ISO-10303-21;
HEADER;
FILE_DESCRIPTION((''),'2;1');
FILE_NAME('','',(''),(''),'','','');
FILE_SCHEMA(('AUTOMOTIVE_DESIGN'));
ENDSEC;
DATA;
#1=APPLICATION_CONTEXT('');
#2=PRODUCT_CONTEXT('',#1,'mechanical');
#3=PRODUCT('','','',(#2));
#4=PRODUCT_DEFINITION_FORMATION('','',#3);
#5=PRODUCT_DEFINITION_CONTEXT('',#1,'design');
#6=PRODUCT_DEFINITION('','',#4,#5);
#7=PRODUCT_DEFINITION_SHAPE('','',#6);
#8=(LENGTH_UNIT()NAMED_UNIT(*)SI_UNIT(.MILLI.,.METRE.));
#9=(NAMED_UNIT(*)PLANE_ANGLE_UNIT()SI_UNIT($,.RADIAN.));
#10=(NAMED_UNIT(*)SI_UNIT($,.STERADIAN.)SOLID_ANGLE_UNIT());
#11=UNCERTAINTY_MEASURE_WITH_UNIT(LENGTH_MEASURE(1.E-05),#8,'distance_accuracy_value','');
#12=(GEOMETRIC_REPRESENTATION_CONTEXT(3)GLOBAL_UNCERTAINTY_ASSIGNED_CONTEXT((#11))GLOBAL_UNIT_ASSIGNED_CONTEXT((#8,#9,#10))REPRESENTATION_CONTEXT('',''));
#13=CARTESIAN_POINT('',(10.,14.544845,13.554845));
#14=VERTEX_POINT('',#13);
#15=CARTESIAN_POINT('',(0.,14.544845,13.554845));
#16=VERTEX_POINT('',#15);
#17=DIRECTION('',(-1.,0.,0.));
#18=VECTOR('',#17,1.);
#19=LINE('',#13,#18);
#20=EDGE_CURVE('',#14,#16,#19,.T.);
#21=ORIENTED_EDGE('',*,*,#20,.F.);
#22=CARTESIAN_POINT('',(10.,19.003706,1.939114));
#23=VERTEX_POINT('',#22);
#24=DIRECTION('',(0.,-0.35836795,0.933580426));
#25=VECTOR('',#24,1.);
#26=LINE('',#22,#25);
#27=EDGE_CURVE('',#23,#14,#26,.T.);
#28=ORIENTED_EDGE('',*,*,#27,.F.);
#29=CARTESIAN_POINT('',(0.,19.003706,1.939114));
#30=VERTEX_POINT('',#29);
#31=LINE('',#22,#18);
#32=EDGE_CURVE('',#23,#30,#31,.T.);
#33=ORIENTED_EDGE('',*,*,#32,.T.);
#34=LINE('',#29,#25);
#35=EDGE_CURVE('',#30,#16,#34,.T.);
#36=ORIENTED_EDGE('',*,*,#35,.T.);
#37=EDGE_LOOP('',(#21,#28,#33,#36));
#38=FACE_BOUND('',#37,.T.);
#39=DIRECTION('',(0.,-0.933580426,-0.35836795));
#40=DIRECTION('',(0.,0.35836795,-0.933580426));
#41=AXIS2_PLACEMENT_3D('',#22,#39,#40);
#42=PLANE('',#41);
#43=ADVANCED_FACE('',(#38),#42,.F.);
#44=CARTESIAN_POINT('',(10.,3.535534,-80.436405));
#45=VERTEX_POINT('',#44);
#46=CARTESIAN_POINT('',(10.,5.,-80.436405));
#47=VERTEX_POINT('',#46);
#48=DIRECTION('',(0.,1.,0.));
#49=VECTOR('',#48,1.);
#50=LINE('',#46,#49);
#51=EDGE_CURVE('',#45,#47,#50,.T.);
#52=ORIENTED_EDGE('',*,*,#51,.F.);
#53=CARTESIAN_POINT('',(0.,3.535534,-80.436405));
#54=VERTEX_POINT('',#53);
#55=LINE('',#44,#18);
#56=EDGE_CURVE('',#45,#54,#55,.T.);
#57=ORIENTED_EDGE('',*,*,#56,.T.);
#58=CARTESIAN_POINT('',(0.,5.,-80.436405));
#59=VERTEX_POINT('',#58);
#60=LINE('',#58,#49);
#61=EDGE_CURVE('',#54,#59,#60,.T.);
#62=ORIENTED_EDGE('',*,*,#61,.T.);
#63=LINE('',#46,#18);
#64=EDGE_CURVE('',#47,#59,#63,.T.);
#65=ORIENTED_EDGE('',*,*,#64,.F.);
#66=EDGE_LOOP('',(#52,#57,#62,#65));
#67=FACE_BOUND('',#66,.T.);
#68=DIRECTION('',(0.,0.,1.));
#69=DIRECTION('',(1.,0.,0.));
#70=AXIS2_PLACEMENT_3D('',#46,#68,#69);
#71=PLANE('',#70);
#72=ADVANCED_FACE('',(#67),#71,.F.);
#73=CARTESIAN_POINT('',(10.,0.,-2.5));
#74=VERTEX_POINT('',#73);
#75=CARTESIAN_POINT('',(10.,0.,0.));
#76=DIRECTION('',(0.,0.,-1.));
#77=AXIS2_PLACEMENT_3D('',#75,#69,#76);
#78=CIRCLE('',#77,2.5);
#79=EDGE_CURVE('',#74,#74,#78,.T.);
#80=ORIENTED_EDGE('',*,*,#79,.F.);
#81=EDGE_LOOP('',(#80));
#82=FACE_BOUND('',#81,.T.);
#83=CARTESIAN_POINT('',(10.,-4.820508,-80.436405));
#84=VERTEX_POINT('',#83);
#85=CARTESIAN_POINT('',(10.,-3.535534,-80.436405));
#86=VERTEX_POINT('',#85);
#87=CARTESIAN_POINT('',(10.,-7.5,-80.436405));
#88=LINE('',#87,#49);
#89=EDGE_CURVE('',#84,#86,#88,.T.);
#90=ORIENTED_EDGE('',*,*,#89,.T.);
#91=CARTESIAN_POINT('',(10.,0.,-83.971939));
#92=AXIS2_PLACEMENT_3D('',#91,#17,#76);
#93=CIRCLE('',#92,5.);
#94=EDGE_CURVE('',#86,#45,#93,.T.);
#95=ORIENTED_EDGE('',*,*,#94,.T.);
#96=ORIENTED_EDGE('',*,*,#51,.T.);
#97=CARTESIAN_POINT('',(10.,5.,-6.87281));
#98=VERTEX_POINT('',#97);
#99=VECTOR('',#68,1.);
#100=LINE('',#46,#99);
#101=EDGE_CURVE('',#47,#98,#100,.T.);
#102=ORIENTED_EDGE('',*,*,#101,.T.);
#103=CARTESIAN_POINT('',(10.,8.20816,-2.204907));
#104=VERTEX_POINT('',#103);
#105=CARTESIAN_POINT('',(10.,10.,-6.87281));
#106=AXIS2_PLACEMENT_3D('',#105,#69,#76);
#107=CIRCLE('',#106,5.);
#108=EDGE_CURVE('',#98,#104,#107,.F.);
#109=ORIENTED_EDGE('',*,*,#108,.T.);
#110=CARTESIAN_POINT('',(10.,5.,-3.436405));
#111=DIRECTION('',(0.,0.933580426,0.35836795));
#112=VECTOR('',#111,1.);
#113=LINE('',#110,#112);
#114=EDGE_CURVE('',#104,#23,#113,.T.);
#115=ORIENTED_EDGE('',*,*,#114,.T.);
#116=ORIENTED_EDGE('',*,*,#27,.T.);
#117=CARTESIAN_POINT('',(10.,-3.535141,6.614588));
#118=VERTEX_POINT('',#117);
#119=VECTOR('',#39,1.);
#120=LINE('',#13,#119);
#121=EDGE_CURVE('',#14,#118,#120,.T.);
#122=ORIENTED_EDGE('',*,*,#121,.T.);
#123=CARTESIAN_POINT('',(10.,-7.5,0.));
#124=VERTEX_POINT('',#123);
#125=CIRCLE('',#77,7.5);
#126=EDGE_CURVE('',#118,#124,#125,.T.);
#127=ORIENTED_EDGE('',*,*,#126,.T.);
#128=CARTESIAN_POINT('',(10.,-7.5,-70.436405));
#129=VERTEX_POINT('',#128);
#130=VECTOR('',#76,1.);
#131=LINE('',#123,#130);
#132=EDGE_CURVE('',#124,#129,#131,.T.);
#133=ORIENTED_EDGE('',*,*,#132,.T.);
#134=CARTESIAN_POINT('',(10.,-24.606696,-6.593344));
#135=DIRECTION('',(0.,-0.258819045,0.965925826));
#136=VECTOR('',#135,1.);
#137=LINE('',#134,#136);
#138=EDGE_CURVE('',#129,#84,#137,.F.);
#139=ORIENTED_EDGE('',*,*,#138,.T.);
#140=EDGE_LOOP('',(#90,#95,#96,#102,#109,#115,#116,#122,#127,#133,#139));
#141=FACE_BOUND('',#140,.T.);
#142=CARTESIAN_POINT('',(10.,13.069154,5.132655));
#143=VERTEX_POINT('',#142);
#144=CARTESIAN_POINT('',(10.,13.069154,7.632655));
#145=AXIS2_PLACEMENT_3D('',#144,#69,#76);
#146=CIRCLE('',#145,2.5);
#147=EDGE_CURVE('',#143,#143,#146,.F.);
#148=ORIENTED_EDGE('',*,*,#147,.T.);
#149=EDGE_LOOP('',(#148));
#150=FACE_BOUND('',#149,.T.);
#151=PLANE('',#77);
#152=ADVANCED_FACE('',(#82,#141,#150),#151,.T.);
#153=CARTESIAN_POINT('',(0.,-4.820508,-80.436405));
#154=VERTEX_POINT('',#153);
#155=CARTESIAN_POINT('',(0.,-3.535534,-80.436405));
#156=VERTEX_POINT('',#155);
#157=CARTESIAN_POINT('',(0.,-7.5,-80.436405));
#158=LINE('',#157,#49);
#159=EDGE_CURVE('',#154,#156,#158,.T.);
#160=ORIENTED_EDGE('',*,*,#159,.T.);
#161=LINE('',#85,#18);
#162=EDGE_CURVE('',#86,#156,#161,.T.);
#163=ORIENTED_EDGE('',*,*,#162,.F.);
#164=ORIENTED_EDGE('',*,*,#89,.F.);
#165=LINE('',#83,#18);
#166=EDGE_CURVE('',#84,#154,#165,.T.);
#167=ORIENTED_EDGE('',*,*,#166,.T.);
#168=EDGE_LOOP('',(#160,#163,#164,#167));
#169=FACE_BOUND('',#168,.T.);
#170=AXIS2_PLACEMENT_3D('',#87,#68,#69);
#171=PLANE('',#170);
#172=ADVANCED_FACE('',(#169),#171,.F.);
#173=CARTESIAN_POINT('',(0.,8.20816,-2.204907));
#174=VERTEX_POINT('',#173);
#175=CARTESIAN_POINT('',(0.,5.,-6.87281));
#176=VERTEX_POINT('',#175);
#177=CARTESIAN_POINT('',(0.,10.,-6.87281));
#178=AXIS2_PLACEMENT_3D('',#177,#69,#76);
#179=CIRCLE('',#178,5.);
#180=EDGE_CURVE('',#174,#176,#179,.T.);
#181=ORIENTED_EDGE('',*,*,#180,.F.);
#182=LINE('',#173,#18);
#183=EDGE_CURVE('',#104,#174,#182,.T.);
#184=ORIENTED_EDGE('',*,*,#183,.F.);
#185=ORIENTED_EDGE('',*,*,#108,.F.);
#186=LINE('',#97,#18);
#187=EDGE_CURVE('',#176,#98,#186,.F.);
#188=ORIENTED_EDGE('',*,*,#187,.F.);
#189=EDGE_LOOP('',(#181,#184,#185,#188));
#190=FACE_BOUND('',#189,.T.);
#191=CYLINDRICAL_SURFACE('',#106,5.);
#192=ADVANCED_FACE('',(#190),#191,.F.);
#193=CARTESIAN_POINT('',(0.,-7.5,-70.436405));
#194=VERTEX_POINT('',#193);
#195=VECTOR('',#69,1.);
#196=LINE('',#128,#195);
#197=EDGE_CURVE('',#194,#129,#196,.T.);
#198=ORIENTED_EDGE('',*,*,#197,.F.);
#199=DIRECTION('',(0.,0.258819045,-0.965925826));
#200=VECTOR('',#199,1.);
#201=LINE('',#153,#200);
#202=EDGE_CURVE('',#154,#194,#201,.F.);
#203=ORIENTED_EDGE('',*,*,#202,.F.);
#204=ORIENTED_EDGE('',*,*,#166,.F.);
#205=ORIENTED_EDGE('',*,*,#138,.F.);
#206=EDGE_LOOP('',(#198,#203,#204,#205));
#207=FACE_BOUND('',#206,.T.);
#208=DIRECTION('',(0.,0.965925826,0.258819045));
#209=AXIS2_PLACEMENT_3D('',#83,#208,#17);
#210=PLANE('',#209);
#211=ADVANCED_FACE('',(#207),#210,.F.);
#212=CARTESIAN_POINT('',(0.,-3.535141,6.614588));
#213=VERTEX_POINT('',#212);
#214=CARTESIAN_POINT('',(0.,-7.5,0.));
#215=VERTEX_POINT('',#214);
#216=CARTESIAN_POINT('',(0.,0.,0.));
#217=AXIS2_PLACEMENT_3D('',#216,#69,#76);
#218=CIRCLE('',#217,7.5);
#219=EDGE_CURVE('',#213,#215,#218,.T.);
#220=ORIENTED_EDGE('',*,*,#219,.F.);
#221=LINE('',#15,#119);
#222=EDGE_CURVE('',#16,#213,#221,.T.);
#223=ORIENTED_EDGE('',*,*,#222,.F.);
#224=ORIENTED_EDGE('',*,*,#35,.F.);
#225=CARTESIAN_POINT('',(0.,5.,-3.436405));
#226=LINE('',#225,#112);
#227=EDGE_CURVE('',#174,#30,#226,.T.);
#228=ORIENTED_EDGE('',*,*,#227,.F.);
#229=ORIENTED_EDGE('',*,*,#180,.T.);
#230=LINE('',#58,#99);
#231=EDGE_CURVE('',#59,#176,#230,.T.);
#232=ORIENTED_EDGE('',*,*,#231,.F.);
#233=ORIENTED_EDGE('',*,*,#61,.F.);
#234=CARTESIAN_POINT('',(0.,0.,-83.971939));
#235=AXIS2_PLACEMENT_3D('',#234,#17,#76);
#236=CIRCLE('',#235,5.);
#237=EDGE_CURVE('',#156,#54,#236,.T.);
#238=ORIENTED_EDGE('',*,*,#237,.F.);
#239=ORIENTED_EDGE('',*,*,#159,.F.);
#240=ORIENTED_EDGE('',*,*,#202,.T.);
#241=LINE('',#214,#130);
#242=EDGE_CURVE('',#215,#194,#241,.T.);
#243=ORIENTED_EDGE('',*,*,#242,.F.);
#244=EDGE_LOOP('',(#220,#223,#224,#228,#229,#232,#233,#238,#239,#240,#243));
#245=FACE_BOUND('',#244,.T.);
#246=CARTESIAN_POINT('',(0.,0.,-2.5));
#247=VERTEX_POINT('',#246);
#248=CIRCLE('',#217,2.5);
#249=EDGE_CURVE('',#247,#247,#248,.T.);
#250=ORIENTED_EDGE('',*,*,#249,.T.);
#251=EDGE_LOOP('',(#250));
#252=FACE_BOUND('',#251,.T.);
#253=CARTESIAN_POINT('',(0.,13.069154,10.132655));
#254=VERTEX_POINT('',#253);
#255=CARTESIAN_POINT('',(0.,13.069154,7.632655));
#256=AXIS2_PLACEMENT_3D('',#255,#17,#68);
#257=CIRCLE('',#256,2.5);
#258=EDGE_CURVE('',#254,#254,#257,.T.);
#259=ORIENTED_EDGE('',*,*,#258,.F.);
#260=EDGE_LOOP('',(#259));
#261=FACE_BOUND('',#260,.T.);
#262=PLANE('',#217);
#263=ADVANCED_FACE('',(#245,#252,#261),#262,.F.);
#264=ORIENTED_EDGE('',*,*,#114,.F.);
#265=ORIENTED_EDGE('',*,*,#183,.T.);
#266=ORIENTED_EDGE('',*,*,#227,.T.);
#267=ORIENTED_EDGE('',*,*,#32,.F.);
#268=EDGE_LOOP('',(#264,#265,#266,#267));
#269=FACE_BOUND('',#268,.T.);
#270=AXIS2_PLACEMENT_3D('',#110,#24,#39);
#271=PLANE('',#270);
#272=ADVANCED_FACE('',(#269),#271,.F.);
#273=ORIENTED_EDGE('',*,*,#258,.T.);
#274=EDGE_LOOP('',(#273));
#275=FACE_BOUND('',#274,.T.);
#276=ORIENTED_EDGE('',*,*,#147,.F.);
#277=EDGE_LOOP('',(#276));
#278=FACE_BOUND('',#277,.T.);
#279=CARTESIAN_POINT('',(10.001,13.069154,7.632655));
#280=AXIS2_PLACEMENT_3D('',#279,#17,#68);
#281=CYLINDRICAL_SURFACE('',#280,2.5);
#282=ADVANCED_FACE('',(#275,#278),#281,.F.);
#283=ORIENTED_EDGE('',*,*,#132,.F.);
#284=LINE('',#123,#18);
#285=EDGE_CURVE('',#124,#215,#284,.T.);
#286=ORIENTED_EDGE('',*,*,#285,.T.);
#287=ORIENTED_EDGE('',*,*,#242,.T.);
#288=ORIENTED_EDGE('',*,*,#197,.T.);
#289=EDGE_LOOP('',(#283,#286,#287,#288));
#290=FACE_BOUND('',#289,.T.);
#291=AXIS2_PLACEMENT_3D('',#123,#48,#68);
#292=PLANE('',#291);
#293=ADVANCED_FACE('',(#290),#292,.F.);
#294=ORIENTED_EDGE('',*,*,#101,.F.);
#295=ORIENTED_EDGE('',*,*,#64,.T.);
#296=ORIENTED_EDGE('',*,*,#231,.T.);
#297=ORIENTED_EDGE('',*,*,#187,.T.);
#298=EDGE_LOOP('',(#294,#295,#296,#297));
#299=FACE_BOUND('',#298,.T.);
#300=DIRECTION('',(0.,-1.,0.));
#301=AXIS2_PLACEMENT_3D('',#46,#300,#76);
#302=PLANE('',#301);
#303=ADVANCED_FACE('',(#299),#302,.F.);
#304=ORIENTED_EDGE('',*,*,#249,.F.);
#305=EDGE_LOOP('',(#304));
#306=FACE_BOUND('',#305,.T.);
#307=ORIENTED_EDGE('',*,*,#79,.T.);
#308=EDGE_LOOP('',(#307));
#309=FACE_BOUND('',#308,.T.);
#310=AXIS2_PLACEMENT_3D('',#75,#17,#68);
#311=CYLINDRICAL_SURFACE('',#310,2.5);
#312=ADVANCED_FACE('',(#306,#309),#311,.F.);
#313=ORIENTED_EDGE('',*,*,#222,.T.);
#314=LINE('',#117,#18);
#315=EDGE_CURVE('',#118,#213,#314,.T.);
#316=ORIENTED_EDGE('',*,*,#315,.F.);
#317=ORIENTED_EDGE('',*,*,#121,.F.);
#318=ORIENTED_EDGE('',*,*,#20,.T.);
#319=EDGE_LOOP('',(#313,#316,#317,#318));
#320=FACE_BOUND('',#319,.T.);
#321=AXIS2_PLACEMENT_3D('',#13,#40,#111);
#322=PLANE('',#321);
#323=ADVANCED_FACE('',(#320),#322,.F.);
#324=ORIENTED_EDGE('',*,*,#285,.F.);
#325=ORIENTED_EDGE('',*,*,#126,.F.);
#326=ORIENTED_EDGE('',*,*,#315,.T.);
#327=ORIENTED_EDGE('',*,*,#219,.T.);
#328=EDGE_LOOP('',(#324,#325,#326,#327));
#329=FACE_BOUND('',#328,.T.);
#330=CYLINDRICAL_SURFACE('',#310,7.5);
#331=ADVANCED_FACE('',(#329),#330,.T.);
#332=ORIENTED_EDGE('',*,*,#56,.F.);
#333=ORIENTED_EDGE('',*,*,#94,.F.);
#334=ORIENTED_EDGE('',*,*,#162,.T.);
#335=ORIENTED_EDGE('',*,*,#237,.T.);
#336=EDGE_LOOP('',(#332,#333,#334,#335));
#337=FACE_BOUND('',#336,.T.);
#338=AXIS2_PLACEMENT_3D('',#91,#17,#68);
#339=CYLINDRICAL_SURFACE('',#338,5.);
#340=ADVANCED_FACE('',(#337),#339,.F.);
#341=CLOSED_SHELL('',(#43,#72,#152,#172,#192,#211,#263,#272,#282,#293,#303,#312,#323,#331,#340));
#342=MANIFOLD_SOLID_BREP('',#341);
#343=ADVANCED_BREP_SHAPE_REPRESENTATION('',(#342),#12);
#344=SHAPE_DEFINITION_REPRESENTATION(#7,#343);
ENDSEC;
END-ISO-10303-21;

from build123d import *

# Parameters (mm, degrees)
SKETCH_1_R          = 2.5
EXTRUDE_1_DEPTH     = 10
FILLET_1_R          = 5
CUT_EXTRUDE_1_REACH = 85.254
SKETCH_2_R          = 2.5
CHAMFER_1_SIZE      = 10
CHAMFER_1_SIZE2     = 2.679491924


with BuildPart() as part:
    # 草圖1 → 填料-伸長1 (new body)
    with BuildSketch(Plane(origin=(0, 0, 0), x_dir=(0, 0, -1), z_dir=(1, 0, 0))):
        with BuildLine():
            Line((0, -7.5), (80.436404793, -7.5))
            Line((80.436404793, -7.5), (80.436404793, -3.535533906))
            ThreePointArc((80.436404793, -3.535533906), (78.971938699, 0), (80.436404793, 3.535533906))
            Line((80.436404793, 3.535533906), (80.436404793, 5))
            Line((80.436404793, 5), (3.436404793, 5))
            Line((3.436404793, 5), (-1.93911445, 19.003706397))
            Line((-1.93911445, 19.003706397), (-13.554844706, 14.544845311))
            Line((-13.554844706, 14.544845311), (-6.614588023, -3.535141479))
            ThreePointArc((-6.614588023, -3.535141479), (-3.85593302, -6.43286721), (0, -7.5))
        make_face()
        Circle(SKETCH_1_R, mode=Mode.SUBTRACT)
    extrude(amount=EXTRUDE_1_DEPTH)

    # 圓角1
    fillet_1_edges = [part.edges().sort_by_distance(p)[0] for p in [
        (5, 5, -3.436404793),
    ]]
    fillet(fillet_1_edges, radius=FILLET_1_R)

    # 草圖2 → 除料-伸長1 (cut, up to next)
    with BuildSketch(Plane.ZY, mode=Mode.PRIVATE) as cut_extrude_1_sk1:
        with Locations((7.632654751, 13.069153566)):
            Circle(SKETCH_2_R)
    cut_extrude_1_tool1 = extrude(cut_extrude_1_sk1.sketch, amount=-CUT_EXTRUDE_1_REACH, mode=Mode.PRIVATE) & part.part
    add(cut_extrude_1_tool1.solids().sort_by_distance((0, 13.069154, 7.632655))[0], mode=Mode.SUBTRACT)

    # 導角1
    chamfer_1_edges = [part.edges().sort_by_distance(p)[0] for p in [
        (5, -7.5, -80.436404793),
    ]]
    chamfer_1_side = [part.faces().sort_by_distance(p)[0] for p in [
        (5, -7.5, -40.218202397),
    ]]
    chamfer(chamfer_1_edges, length=CHAMFER_1_SIZE, length2=CHAMFER_1_SIZE2, reference=chamfer_1_side[0])


solid = part.part
